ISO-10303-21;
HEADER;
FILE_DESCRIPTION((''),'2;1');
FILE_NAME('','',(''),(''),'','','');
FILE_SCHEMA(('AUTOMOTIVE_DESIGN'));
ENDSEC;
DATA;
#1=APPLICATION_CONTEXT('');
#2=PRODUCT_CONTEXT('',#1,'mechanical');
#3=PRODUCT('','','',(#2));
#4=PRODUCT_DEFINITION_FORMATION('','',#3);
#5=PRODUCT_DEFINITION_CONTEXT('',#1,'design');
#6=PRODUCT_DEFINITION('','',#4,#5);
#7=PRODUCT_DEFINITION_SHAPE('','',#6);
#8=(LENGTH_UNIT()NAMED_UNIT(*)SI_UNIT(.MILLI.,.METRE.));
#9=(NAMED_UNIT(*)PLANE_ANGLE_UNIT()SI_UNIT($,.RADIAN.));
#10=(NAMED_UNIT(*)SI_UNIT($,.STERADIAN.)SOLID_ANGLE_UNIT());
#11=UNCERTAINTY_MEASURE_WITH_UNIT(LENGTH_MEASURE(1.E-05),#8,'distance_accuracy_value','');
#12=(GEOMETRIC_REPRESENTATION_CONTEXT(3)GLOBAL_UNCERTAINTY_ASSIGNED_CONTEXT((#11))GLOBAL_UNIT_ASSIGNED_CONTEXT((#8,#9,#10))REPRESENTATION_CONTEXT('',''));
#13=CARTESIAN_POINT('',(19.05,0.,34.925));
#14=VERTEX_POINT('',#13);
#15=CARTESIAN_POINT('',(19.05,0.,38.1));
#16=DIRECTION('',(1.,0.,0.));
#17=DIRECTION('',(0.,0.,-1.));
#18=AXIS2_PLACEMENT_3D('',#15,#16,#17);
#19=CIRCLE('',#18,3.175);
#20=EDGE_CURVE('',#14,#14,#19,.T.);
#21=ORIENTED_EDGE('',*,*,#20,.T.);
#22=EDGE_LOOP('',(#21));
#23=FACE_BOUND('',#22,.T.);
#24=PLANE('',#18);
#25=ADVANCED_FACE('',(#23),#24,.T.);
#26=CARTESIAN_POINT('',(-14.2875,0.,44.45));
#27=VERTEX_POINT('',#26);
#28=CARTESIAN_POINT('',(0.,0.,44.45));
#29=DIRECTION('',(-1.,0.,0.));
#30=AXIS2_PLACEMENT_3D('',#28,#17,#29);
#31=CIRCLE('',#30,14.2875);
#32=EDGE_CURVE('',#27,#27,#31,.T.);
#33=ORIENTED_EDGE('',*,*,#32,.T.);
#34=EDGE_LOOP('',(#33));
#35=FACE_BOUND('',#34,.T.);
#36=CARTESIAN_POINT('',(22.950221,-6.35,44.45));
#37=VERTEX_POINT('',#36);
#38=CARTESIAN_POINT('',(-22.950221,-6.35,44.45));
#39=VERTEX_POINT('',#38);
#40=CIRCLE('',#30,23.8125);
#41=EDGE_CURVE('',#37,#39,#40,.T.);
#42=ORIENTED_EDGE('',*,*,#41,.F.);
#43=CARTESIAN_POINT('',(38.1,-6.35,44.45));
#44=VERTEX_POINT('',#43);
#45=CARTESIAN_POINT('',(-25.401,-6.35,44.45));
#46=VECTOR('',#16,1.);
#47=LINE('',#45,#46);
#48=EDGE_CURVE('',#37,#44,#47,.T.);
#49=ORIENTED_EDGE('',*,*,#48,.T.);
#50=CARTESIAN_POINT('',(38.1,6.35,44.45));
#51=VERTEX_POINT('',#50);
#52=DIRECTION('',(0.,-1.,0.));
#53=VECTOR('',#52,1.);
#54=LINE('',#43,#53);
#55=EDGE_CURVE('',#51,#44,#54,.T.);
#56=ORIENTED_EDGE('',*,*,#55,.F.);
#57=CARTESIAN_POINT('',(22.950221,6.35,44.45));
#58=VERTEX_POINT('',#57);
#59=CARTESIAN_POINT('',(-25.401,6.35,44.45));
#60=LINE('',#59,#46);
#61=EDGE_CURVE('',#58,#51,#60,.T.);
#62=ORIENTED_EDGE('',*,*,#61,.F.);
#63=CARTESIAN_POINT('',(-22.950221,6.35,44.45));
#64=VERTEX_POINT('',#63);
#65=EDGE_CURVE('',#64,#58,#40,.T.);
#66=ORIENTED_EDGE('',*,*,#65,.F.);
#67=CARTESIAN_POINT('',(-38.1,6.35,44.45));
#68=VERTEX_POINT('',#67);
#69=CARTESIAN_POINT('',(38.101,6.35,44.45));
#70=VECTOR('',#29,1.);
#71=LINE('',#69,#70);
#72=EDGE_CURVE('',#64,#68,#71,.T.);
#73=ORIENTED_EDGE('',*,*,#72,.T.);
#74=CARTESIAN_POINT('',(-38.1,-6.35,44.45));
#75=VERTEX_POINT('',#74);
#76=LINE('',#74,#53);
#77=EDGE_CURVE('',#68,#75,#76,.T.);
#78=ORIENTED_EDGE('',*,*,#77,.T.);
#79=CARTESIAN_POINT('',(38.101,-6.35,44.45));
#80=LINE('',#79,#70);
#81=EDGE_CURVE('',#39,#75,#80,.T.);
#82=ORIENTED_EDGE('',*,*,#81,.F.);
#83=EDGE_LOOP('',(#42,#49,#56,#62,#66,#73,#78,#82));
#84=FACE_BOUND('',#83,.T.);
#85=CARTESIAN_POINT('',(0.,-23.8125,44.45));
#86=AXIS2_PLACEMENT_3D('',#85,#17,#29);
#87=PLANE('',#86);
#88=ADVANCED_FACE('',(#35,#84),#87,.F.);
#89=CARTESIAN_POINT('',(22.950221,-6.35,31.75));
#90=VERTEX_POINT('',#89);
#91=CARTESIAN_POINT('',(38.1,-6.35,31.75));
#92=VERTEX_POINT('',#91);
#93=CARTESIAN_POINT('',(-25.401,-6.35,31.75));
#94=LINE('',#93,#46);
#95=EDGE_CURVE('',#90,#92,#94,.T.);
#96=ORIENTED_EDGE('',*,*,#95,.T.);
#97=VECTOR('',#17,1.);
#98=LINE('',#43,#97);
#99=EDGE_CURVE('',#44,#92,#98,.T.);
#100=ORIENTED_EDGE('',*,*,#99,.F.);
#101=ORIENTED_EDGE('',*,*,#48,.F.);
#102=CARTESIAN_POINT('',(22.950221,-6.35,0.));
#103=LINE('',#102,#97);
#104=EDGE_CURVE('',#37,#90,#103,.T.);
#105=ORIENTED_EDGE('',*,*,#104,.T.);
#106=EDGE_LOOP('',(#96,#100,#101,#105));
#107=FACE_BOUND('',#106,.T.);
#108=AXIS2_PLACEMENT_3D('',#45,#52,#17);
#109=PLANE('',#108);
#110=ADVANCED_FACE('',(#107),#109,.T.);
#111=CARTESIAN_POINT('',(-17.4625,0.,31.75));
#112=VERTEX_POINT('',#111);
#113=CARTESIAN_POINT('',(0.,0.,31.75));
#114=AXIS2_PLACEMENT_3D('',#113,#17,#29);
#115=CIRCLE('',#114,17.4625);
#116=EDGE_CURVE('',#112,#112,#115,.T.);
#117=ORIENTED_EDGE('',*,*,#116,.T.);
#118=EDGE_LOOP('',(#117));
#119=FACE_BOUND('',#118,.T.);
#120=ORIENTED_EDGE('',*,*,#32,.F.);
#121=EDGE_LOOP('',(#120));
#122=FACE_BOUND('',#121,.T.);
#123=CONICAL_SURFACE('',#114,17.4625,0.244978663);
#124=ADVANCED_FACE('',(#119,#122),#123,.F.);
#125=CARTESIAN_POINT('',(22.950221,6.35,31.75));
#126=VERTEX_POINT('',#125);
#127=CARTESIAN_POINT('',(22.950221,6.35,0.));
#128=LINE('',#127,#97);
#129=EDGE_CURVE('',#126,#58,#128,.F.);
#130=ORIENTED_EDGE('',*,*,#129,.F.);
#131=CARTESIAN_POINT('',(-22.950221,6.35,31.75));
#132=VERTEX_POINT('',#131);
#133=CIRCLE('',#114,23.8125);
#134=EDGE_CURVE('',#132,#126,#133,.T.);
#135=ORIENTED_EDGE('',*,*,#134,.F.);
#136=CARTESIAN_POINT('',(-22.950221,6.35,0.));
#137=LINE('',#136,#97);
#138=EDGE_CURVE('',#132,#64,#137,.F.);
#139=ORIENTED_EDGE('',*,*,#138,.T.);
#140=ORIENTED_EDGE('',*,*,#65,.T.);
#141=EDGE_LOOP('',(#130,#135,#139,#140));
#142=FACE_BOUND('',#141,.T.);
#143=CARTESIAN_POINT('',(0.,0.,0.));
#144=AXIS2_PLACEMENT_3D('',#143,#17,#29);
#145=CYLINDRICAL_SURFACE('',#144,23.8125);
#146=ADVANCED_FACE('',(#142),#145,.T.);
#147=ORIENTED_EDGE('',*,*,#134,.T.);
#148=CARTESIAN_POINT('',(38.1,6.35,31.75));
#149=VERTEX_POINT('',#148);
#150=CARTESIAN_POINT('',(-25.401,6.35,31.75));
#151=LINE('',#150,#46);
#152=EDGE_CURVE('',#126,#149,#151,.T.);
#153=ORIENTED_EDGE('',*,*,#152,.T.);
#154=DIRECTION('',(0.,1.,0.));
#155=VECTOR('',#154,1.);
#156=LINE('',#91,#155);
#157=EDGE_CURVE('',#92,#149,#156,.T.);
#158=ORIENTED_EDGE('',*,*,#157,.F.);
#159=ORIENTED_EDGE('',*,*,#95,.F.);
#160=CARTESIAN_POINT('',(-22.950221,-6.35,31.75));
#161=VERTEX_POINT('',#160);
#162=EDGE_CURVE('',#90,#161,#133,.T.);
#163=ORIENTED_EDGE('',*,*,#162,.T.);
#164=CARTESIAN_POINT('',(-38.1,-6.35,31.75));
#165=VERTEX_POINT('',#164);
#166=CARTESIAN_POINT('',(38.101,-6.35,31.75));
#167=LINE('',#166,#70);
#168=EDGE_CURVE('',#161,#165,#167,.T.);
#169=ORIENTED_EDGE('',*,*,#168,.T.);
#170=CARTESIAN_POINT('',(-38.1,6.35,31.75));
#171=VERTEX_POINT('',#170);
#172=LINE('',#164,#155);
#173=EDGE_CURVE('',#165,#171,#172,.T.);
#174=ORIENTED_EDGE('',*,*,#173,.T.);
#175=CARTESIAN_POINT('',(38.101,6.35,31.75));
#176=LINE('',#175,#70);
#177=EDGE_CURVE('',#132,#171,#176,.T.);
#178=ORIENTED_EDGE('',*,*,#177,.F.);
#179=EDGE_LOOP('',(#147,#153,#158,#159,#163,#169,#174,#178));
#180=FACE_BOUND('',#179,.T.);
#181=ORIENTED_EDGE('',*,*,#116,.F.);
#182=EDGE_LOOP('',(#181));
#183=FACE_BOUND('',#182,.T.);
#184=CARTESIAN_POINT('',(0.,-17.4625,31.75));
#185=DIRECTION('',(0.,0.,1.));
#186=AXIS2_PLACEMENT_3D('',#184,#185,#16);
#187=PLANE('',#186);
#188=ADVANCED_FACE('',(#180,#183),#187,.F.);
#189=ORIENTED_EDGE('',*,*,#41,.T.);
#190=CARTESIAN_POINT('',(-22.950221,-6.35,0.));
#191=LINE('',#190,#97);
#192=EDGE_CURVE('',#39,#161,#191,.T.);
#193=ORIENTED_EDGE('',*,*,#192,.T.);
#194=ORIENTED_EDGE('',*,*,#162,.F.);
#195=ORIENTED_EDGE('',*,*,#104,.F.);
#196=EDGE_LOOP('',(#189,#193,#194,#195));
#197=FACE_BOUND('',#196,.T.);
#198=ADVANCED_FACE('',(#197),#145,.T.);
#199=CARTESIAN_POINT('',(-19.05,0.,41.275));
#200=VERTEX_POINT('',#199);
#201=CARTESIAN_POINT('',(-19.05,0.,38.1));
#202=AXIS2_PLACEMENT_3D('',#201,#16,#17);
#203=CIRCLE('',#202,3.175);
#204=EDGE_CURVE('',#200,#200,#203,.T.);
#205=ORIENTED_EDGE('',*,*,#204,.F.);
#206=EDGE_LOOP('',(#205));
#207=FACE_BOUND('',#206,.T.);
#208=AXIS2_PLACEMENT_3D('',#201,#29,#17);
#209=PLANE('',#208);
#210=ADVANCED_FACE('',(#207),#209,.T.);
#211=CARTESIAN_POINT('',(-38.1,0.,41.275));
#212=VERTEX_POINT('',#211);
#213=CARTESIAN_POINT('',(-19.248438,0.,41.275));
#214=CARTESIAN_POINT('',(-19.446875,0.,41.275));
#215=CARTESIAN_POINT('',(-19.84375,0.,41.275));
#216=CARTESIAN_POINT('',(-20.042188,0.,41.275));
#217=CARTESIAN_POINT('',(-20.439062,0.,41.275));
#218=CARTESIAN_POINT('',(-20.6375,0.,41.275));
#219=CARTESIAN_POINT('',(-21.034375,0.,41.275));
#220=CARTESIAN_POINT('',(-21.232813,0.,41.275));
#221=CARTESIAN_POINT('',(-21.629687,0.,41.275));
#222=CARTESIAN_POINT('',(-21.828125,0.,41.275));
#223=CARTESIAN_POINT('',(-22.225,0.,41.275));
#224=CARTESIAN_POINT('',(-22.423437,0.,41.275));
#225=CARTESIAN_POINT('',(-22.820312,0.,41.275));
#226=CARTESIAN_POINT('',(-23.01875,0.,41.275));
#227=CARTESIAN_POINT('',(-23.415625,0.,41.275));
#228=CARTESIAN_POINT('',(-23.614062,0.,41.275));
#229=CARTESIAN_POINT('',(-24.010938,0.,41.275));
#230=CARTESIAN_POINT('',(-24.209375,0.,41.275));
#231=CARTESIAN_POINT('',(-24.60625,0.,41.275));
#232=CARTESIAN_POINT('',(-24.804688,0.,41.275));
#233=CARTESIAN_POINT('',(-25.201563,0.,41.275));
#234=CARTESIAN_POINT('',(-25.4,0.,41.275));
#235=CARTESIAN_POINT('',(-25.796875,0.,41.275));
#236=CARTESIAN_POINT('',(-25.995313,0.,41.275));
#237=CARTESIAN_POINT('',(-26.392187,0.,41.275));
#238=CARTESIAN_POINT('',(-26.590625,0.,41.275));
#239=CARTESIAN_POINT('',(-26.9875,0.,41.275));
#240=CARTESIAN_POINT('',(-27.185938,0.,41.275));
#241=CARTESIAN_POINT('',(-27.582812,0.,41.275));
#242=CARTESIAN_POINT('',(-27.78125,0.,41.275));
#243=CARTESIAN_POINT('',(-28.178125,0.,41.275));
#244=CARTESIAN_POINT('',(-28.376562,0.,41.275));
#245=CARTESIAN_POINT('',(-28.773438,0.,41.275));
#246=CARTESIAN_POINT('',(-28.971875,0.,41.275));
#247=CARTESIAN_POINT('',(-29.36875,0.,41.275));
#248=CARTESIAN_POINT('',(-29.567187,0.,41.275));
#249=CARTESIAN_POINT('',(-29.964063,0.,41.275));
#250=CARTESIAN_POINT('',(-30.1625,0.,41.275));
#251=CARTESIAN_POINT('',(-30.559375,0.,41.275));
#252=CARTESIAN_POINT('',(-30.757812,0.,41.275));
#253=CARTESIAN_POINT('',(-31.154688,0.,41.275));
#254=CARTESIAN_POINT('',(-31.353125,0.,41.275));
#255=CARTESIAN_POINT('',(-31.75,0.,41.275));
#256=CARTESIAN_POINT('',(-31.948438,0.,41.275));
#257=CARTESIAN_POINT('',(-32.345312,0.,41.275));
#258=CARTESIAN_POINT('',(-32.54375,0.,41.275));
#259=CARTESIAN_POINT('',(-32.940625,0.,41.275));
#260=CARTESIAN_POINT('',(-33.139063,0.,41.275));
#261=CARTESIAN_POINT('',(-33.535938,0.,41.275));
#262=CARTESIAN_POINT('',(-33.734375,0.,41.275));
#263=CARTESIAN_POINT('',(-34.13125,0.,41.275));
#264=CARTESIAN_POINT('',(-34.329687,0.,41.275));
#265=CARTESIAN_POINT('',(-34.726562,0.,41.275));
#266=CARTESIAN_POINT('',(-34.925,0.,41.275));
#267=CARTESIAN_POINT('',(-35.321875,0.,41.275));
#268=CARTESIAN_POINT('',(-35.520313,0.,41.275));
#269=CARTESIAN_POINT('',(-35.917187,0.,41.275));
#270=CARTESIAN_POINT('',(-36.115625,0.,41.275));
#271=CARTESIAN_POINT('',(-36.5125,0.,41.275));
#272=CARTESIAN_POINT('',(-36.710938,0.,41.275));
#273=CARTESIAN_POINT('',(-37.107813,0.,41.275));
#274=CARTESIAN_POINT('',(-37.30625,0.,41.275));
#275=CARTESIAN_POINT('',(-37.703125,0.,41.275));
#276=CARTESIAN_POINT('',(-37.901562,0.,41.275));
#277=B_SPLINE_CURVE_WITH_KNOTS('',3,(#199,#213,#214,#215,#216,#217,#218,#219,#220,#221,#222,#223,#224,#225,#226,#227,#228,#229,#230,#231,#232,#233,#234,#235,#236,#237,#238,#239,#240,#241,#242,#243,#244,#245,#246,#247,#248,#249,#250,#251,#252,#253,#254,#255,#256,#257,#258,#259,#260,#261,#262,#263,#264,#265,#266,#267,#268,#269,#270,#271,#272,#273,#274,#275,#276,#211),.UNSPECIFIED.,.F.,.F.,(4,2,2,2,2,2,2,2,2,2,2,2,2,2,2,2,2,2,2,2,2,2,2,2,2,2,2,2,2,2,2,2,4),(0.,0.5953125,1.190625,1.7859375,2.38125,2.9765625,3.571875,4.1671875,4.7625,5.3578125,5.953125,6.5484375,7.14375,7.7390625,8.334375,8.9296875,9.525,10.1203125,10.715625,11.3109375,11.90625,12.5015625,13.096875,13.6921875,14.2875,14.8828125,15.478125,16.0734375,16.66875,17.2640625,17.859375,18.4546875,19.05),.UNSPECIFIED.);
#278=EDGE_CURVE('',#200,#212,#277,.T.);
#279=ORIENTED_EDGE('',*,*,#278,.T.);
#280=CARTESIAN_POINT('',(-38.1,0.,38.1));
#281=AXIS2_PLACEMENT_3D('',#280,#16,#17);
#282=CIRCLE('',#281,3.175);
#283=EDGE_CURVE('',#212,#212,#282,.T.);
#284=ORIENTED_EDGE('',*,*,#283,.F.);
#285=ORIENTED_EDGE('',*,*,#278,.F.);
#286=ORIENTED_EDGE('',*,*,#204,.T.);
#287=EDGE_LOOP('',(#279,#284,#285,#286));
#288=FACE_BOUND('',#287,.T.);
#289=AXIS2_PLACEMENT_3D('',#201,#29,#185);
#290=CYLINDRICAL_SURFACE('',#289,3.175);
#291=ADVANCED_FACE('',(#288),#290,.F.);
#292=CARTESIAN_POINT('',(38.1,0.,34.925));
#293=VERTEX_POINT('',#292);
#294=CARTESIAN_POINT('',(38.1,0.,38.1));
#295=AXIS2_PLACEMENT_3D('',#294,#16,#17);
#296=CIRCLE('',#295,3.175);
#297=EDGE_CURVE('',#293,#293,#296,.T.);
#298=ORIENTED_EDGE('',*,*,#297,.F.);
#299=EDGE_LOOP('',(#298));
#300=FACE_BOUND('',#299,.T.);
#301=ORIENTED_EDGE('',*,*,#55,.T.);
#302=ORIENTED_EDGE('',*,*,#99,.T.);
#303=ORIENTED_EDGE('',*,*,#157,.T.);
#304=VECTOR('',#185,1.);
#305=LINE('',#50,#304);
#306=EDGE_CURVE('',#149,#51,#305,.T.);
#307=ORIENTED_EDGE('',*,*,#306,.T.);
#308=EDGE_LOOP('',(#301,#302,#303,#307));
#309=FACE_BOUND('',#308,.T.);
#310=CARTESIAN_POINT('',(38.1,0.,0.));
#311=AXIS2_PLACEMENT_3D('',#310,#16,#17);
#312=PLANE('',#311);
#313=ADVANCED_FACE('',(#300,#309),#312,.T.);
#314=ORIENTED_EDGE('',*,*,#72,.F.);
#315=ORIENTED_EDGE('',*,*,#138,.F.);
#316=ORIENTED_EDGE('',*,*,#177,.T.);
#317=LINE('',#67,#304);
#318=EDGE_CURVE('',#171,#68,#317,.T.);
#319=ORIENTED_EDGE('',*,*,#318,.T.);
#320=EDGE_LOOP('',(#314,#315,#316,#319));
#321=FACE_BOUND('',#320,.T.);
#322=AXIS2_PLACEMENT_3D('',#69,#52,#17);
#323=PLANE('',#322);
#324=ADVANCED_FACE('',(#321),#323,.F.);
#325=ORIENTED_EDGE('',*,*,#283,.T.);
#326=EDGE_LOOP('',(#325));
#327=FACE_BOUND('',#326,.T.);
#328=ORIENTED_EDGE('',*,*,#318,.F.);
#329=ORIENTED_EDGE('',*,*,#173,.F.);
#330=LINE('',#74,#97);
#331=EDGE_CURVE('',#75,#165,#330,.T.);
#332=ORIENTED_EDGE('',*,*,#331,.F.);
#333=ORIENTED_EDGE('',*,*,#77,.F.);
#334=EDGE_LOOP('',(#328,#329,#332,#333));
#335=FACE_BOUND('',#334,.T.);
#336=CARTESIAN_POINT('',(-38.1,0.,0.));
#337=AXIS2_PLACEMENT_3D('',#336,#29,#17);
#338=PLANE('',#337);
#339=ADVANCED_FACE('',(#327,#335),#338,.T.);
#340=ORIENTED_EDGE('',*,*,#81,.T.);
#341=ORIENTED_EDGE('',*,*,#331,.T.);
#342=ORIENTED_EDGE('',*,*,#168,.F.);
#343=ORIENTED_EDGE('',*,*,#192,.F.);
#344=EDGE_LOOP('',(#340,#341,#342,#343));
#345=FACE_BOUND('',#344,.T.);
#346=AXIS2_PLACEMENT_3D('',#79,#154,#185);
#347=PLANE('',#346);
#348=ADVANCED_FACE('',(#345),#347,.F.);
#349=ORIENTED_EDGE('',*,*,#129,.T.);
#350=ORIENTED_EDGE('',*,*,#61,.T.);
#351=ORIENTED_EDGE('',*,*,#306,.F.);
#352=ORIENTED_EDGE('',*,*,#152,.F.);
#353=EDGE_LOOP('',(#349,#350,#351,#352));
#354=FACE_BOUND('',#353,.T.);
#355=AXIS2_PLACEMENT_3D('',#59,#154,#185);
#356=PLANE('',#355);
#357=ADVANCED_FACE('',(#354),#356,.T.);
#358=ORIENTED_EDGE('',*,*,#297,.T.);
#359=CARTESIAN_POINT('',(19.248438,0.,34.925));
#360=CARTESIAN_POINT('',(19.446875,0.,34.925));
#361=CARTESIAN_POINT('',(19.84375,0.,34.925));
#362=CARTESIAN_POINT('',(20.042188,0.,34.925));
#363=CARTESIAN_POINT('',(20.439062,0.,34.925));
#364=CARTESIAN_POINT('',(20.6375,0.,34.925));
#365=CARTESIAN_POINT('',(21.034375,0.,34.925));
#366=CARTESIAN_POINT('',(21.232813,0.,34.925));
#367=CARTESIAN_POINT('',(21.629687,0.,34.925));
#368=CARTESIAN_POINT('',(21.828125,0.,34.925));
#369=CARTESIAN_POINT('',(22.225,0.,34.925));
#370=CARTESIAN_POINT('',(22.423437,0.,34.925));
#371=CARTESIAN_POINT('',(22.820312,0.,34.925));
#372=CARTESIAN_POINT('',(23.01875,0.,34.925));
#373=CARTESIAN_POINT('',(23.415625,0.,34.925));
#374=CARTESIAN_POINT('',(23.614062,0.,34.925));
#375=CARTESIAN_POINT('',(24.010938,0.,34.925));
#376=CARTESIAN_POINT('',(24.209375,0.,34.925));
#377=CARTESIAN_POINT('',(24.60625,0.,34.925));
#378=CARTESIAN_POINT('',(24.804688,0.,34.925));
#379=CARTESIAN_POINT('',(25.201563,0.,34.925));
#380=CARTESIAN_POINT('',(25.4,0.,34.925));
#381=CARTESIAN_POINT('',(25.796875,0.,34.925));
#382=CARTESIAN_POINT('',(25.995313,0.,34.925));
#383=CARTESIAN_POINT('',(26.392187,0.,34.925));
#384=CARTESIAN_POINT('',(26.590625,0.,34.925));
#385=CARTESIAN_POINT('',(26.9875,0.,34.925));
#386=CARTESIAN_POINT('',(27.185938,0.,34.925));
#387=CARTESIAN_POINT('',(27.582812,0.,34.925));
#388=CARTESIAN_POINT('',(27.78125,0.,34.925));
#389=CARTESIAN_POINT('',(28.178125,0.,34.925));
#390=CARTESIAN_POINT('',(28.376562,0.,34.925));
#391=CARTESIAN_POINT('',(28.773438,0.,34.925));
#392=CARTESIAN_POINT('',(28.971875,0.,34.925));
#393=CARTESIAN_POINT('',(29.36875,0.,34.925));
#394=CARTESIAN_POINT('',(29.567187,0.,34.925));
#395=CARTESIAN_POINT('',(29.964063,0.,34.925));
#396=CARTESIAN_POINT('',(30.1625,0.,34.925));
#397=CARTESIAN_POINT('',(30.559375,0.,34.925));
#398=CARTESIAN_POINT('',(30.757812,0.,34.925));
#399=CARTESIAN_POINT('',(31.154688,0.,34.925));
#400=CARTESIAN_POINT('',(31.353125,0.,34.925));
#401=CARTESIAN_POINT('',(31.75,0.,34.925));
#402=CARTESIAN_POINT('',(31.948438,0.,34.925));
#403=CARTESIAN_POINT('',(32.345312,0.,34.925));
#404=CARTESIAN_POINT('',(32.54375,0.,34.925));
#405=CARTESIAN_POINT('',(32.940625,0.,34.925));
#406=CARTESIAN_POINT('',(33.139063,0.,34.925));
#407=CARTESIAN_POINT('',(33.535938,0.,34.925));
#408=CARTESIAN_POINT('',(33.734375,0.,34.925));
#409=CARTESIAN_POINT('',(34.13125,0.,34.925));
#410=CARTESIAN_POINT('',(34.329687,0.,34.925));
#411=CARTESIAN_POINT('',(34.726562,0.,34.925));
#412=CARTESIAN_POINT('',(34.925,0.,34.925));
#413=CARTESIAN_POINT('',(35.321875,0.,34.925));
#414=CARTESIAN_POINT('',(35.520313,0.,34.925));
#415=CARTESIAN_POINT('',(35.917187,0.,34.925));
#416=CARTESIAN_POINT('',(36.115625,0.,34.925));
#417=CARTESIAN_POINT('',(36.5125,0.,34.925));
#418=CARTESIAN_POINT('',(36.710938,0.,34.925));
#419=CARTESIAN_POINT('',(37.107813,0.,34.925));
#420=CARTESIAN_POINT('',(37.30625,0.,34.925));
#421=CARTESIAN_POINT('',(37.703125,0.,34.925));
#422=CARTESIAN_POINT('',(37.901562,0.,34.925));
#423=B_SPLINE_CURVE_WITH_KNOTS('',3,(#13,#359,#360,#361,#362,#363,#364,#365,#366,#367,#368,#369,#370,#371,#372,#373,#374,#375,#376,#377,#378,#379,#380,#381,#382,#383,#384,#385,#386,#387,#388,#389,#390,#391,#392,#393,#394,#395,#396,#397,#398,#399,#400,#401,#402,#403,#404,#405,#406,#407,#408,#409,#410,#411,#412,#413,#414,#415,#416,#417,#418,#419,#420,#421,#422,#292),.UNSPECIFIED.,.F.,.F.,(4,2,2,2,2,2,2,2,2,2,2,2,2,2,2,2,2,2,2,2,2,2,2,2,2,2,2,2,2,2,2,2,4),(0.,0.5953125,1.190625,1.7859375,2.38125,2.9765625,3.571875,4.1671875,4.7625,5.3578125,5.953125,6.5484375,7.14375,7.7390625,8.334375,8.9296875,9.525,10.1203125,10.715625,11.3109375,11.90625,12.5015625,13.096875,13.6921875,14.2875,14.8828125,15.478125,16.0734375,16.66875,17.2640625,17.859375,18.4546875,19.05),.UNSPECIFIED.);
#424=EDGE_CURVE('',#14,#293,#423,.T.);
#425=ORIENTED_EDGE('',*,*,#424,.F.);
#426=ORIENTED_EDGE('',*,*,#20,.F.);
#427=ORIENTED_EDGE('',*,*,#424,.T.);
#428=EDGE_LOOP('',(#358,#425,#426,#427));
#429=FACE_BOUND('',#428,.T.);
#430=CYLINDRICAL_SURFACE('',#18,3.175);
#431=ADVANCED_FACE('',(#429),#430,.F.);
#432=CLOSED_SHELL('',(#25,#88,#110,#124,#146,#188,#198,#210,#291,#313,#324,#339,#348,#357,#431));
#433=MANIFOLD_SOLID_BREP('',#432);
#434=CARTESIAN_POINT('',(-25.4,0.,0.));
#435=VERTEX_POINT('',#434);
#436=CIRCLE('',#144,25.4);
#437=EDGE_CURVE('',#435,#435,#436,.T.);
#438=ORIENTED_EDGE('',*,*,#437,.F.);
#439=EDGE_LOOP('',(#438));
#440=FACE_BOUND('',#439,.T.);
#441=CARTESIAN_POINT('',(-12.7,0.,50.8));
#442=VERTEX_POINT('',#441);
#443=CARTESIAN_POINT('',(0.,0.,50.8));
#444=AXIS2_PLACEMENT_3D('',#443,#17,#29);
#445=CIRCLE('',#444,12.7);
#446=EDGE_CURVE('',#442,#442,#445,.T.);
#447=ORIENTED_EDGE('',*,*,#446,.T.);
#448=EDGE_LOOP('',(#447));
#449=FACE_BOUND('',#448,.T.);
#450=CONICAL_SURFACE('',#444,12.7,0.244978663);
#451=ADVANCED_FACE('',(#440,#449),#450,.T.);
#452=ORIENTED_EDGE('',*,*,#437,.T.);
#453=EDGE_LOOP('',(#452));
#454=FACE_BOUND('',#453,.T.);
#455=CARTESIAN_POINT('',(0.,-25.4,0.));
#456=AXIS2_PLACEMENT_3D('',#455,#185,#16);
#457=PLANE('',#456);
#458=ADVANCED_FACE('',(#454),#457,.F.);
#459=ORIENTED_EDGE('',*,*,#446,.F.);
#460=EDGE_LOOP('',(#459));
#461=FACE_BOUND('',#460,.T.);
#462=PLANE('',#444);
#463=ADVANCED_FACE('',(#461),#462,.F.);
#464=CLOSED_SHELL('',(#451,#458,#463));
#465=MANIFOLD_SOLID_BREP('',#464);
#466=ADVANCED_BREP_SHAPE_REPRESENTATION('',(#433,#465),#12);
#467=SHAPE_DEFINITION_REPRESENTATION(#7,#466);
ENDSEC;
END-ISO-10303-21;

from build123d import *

# Parameters (mm, degrees)
BOSS_EXTRUDE2_REACH      = 102.317
BOSS_EXTRUDE2_END_RADIUS = 23.8125
BOSS_EXTRUDE2_START      = 38.1
SKETCH5_W                = 12.7
SKETCH5_H                = 12.7
SKETCH7_R                = 3.175
CUT_EXTRUDE3_DEPTH       = 19.05


with BuildPart() as part:
    # Sketch1 → Revolve1 (revolve)
    with BuildSketch(Plane.YZ, mode=Mode.PRIVATE) as revolve1_sk:
        Polygon((0, 50.8), (-12.7, 50.8), (-25.4, 0), (0, 0), align=None)
    revolve(revolve1_sk.sketch.rotate(Axis((0, 0, 0), (0, 0, 1)), 270), axis=Axis((0, 0, 0), (0, 0, 1)))


with BuildPart() as body_2:
    # Sketch4 → Revolve2 (revolve)
    with BuildSketch(Plane.YZ, mode=Mode.PRIVATE) as revolve2_sk:
        Polygon((-14.2875, 44.45), (-17.4625, 31.75), (-23.8125, 31.75), (-23.8125, 44.45), align=None)
    revolve(revolve2_sk.sketch.rotate(Axis((0, 0, 0), (0, 0, 1)), 270), axis=Axis((0, 0, 0), (0, 0, 1)))

    # Boss-Extrude2: up to this cylinder (the profile starts outside it)
    boss_extrude2_end = Plane(origin=(0, 0, 38.1), z_dir=(0, 0, -1)) * Cylinder(BOSS_EXTRUDE2_END_RADIUS, 253.259, mode=Mode.PRIVATE)
    # Sketch5 → Boss-Extrude2 (add, up to the surface)
    with BuildSketch(Plane.YZ.offset(BOSS_EXTRUDE2_START), mode=Mode.PRIVATE) as boss_extrude2_sk1:
        with Locations((0, 38.1)):
            Rectangle(SKETCH5_W, SKETCH5_H)
    boss_extrude2_tool1 = extrude(boss_extrude2_sk1.sketch, amount=-BOSS_EXTRUDE2_REACH, mode=Mode.PRIVATE) - boss_extrude2_end
    boss_extrude2 = boss_extrude2_tool1.solids().sort_by_distance((38.1, 0, 38.1))[0]
    add(boss_extrude2)

    # Sketch7 → Cut-Extrude3 (cut)
    with BuildSketch(Plane.YZ.offset(38.1)):
        with Locations(Location((0, 38.1, 0), (0, 0, 270))):
            Circle(SKETCH7_R)
    cut_extrude3 = extrude(amount=-CUT_EXTRUDE3_DEPTH, mode=Mode.SUBTRACT)

    # Mirror3: Boss-Extrude2, Cut-Extrude3 across plane
    add(boss_extrude2.mirror(Plane(origin=(0, 0, 0), x_dir=(0, 0, 1), z_dir=(1, 0, 0))))
    add(cut_extrude3.mirror(Plane(origin=(0, 0, 0), x_dir=(0, 0, 1), z_dir=(1, 0, 0))), mode=Mode.SUBTRACT)


solid = Compound([part.part, body_2.part])
